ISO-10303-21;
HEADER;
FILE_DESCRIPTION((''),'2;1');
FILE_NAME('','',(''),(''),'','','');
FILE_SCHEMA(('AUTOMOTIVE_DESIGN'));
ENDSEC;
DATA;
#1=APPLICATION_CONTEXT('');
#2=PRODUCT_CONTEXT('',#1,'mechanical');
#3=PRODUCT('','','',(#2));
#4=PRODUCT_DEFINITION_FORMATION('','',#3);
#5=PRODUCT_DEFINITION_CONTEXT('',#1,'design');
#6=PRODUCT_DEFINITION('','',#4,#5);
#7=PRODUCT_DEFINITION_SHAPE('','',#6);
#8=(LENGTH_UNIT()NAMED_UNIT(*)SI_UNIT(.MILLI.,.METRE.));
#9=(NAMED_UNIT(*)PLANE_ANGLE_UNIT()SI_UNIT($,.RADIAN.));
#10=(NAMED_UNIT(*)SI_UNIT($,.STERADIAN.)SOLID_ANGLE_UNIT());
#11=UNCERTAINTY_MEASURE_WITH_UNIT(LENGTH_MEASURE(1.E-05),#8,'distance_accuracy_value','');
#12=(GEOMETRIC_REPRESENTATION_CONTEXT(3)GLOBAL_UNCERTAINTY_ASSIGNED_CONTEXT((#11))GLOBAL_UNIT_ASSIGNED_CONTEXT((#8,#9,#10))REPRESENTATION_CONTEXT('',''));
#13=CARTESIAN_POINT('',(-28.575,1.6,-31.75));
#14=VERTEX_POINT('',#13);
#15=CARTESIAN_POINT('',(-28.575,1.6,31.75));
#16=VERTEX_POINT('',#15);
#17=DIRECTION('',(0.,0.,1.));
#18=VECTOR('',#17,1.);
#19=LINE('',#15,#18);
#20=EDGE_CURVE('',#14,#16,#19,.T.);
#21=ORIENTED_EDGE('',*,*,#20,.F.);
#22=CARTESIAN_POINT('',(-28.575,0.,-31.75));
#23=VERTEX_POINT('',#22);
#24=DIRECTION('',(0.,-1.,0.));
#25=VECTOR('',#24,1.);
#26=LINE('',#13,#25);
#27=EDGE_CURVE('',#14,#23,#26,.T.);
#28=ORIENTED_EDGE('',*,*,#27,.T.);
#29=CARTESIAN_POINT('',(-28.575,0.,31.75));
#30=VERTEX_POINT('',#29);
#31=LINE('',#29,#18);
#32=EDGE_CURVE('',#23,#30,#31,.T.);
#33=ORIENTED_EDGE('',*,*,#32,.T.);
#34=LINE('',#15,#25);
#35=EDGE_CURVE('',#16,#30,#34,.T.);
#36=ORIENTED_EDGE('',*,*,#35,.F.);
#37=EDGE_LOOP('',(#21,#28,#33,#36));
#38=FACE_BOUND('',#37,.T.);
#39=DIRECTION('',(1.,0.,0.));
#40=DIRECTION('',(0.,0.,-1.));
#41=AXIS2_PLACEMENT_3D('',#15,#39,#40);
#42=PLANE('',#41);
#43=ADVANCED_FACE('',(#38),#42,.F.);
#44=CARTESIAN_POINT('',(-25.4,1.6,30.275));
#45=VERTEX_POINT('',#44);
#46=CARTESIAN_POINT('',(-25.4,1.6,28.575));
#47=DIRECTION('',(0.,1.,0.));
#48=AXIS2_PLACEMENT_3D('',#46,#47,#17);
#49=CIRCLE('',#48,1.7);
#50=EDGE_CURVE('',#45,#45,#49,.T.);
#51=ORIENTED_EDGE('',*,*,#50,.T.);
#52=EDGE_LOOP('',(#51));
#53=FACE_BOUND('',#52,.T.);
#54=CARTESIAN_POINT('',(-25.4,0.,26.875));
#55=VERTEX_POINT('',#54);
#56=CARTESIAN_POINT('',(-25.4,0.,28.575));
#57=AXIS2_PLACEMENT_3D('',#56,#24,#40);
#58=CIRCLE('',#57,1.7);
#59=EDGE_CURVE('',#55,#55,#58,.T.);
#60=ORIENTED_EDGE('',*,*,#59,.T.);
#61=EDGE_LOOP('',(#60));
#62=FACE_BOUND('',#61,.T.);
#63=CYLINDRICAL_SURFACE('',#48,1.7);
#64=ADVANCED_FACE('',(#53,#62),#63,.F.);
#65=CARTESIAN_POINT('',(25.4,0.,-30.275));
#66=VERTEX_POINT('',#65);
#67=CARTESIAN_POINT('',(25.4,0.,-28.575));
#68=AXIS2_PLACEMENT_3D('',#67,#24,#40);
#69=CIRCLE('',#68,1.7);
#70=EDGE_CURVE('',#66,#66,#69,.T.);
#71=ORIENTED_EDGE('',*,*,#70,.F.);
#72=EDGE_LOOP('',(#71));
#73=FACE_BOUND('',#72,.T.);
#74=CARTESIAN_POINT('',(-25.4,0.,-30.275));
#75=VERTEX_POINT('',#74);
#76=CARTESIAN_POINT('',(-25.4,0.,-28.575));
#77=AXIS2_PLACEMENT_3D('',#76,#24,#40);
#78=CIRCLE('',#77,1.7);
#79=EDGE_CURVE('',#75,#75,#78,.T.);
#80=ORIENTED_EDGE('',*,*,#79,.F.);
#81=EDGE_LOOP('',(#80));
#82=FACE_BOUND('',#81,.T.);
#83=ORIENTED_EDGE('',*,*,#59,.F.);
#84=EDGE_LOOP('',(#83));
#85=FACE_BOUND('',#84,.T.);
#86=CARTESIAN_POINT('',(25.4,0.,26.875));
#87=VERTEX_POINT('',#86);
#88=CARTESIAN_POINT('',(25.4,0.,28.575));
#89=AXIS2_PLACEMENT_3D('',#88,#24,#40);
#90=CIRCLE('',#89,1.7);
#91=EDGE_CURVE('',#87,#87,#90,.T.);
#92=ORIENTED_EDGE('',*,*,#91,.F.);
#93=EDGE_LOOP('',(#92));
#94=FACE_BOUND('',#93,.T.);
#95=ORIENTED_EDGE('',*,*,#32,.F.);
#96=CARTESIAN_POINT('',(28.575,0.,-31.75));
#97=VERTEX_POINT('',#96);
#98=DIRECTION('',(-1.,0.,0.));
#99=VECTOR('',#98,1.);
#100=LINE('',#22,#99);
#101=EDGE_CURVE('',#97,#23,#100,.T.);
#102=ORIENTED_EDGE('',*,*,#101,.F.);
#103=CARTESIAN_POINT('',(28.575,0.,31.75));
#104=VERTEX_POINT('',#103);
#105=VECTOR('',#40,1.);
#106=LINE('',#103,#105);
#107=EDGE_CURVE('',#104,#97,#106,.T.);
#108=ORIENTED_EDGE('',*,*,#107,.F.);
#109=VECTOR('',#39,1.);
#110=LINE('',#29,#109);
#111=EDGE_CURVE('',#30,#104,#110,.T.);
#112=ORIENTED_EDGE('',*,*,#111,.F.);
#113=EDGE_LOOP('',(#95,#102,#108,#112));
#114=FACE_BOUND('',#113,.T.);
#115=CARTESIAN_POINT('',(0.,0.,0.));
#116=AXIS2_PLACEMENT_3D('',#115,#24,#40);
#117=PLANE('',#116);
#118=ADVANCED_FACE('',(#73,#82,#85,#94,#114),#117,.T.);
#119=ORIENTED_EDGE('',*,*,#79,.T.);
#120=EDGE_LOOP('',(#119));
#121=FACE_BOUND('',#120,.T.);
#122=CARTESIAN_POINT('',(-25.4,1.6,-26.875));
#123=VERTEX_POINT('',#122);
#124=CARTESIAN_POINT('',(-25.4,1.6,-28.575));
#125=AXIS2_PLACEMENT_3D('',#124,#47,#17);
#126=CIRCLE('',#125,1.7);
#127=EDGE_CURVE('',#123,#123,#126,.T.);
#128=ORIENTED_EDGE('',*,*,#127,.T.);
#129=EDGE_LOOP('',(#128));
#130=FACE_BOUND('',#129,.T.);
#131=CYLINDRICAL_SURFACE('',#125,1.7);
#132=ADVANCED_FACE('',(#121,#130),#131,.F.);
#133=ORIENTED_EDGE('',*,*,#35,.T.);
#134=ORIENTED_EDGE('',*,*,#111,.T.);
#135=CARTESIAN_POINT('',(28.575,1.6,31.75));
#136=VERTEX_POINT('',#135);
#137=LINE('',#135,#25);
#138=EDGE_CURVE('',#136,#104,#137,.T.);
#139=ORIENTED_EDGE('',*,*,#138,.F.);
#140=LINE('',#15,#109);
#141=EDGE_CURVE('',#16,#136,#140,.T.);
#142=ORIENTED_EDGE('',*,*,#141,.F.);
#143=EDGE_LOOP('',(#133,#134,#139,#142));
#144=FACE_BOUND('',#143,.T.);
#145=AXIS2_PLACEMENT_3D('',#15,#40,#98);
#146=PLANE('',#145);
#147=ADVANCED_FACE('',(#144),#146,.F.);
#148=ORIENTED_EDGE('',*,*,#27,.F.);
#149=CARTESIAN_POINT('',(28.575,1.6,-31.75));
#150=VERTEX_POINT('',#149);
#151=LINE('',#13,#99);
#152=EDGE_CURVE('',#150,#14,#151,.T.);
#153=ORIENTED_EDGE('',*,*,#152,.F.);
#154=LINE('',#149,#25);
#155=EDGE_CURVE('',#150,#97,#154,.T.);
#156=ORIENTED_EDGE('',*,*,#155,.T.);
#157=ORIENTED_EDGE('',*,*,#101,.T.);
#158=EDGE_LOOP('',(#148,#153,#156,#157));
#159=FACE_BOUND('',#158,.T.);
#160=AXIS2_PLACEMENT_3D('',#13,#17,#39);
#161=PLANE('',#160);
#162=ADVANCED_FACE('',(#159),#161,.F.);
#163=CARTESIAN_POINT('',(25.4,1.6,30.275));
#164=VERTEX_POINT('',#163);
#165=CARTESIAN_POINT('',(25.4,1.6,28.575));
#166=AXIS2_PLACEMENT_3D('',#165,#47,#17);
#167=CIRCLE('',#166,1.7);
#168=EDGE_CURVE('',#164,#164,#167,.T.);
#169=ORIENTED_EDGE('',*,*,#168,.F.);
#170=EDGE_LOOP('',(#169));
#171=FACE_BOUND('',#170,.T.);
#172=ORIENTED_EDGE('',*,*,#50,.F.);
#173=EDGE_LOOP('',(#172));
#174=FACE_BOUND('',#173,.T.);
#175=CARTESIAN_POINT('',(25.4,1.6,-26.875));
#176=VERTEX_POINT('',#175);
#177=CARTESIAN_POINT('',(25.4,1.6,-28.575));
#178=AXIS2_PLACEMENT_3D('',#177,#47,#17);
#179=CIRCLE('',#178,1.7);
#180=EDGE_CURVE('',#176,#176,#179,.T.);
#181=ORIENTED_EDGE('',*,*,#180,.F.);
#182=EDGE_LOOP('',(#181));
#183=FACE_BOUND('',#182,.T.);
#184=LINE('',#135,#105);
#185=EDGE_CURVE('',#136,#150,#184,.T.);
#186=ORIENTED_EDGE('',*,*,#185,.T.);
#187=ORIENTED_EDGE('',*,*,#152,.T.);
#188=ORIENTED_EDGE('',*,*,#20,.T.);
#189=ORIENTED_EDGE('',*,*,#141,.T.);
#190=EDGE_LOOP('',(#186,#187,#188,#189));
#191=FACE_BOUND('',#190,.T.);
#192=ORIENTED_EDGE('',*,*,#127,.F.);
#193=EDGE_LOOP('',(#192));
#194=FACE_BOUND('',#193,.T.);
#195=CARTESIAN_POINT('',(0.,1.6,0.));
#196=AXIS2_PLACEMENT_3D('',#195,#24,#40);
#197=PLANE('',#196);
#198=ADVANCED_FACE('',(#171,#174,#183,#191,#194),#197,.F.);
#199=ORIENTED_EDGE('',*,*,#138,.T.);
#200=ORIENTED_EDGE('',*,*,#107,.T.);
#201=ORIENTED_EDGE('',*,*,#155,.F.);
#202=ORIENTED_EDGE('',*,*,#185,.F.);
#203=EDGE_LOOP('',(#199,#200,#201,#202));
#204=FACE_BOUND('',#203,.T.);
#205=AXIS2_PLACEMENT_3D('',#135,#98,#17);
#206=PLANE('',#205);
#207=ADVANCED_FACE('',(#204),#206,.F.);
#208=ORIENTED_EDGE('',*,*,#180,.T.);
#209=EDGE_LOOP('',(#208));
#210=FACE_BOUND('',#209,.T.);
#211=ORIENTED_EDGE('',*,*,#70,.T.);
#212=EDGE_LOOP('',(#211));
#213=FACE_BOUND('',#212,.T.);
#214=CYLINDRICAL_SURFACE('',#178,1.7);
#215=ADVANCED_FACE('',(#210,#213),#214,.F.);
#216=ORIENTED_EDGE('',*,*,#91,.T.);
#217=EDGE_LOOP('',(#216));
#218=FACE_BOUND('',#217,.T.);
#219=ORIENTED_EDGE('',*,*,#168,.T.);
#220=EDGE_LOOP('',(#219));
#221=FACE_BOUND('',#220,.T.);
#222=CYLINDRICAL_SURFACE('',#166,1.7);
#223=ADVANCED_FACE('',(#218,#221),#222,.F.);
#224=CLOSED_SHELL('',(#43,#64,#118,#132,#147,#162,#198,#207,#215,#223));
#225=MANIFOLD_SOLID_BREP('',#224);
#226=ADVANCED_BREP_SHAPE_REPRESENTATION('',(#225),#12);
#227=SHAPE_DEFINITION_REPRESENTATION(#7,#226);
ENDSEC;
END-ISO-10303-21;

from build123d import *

# Parameters (mm, degrees)
SKETCH1_W                = 57.15
SKETCH1_H                = 63.5
BOSS_EXTRUDE1_DEPTH      = 1.6
M3_CLEARANCE_HOLE1_D     = 3.4
M3_CLEARANCE_HOLE1_DEPTH = 50
M3_CLEARANCE_HOLE1_TIP   = 1.021463052


with BuildPart() as part:
    # Sketch1 → Boss-Extrude1 (new body)
    with BuildSketch(Plane(origin=(0, 0, 0), x_dir=(1, 0, 0), z_dir=(0, 1, 0))):
        Rectangle(SKETCH1_W, SKETCH1_H)
    extrude(amount=BOSS_EXTRUDE1_DEPTH)

    # M3 Clearance Hole1
    with Locations(Plane(origin=(0, 1.6, 0), x_dir=(1, 0, 0), z_dir=(0, 1, 0))):
        with Locations((-25.4, 28.575), (25.4, 28.575), (25.4, -28.575), (-25.4, -28.575)):
            Hole(M3_CLEARANCE_HOLE1_D / 2, depth=M3_CLEARANCE_HOLE1_DEPTH)
            with Locations((0, 0, -(M3_CLEARANCE_HOLE1_DEPTH + M3_CLEARANCE_HOLE1_TIP / 2))):  # 118° drill point
                Cone(0, M3_CLEARANCE_HOLE1_D / 2, M3_CLEARANCE_HOLE1_TIP, mode=Mode.SUBTRACT)


solid = part.part
